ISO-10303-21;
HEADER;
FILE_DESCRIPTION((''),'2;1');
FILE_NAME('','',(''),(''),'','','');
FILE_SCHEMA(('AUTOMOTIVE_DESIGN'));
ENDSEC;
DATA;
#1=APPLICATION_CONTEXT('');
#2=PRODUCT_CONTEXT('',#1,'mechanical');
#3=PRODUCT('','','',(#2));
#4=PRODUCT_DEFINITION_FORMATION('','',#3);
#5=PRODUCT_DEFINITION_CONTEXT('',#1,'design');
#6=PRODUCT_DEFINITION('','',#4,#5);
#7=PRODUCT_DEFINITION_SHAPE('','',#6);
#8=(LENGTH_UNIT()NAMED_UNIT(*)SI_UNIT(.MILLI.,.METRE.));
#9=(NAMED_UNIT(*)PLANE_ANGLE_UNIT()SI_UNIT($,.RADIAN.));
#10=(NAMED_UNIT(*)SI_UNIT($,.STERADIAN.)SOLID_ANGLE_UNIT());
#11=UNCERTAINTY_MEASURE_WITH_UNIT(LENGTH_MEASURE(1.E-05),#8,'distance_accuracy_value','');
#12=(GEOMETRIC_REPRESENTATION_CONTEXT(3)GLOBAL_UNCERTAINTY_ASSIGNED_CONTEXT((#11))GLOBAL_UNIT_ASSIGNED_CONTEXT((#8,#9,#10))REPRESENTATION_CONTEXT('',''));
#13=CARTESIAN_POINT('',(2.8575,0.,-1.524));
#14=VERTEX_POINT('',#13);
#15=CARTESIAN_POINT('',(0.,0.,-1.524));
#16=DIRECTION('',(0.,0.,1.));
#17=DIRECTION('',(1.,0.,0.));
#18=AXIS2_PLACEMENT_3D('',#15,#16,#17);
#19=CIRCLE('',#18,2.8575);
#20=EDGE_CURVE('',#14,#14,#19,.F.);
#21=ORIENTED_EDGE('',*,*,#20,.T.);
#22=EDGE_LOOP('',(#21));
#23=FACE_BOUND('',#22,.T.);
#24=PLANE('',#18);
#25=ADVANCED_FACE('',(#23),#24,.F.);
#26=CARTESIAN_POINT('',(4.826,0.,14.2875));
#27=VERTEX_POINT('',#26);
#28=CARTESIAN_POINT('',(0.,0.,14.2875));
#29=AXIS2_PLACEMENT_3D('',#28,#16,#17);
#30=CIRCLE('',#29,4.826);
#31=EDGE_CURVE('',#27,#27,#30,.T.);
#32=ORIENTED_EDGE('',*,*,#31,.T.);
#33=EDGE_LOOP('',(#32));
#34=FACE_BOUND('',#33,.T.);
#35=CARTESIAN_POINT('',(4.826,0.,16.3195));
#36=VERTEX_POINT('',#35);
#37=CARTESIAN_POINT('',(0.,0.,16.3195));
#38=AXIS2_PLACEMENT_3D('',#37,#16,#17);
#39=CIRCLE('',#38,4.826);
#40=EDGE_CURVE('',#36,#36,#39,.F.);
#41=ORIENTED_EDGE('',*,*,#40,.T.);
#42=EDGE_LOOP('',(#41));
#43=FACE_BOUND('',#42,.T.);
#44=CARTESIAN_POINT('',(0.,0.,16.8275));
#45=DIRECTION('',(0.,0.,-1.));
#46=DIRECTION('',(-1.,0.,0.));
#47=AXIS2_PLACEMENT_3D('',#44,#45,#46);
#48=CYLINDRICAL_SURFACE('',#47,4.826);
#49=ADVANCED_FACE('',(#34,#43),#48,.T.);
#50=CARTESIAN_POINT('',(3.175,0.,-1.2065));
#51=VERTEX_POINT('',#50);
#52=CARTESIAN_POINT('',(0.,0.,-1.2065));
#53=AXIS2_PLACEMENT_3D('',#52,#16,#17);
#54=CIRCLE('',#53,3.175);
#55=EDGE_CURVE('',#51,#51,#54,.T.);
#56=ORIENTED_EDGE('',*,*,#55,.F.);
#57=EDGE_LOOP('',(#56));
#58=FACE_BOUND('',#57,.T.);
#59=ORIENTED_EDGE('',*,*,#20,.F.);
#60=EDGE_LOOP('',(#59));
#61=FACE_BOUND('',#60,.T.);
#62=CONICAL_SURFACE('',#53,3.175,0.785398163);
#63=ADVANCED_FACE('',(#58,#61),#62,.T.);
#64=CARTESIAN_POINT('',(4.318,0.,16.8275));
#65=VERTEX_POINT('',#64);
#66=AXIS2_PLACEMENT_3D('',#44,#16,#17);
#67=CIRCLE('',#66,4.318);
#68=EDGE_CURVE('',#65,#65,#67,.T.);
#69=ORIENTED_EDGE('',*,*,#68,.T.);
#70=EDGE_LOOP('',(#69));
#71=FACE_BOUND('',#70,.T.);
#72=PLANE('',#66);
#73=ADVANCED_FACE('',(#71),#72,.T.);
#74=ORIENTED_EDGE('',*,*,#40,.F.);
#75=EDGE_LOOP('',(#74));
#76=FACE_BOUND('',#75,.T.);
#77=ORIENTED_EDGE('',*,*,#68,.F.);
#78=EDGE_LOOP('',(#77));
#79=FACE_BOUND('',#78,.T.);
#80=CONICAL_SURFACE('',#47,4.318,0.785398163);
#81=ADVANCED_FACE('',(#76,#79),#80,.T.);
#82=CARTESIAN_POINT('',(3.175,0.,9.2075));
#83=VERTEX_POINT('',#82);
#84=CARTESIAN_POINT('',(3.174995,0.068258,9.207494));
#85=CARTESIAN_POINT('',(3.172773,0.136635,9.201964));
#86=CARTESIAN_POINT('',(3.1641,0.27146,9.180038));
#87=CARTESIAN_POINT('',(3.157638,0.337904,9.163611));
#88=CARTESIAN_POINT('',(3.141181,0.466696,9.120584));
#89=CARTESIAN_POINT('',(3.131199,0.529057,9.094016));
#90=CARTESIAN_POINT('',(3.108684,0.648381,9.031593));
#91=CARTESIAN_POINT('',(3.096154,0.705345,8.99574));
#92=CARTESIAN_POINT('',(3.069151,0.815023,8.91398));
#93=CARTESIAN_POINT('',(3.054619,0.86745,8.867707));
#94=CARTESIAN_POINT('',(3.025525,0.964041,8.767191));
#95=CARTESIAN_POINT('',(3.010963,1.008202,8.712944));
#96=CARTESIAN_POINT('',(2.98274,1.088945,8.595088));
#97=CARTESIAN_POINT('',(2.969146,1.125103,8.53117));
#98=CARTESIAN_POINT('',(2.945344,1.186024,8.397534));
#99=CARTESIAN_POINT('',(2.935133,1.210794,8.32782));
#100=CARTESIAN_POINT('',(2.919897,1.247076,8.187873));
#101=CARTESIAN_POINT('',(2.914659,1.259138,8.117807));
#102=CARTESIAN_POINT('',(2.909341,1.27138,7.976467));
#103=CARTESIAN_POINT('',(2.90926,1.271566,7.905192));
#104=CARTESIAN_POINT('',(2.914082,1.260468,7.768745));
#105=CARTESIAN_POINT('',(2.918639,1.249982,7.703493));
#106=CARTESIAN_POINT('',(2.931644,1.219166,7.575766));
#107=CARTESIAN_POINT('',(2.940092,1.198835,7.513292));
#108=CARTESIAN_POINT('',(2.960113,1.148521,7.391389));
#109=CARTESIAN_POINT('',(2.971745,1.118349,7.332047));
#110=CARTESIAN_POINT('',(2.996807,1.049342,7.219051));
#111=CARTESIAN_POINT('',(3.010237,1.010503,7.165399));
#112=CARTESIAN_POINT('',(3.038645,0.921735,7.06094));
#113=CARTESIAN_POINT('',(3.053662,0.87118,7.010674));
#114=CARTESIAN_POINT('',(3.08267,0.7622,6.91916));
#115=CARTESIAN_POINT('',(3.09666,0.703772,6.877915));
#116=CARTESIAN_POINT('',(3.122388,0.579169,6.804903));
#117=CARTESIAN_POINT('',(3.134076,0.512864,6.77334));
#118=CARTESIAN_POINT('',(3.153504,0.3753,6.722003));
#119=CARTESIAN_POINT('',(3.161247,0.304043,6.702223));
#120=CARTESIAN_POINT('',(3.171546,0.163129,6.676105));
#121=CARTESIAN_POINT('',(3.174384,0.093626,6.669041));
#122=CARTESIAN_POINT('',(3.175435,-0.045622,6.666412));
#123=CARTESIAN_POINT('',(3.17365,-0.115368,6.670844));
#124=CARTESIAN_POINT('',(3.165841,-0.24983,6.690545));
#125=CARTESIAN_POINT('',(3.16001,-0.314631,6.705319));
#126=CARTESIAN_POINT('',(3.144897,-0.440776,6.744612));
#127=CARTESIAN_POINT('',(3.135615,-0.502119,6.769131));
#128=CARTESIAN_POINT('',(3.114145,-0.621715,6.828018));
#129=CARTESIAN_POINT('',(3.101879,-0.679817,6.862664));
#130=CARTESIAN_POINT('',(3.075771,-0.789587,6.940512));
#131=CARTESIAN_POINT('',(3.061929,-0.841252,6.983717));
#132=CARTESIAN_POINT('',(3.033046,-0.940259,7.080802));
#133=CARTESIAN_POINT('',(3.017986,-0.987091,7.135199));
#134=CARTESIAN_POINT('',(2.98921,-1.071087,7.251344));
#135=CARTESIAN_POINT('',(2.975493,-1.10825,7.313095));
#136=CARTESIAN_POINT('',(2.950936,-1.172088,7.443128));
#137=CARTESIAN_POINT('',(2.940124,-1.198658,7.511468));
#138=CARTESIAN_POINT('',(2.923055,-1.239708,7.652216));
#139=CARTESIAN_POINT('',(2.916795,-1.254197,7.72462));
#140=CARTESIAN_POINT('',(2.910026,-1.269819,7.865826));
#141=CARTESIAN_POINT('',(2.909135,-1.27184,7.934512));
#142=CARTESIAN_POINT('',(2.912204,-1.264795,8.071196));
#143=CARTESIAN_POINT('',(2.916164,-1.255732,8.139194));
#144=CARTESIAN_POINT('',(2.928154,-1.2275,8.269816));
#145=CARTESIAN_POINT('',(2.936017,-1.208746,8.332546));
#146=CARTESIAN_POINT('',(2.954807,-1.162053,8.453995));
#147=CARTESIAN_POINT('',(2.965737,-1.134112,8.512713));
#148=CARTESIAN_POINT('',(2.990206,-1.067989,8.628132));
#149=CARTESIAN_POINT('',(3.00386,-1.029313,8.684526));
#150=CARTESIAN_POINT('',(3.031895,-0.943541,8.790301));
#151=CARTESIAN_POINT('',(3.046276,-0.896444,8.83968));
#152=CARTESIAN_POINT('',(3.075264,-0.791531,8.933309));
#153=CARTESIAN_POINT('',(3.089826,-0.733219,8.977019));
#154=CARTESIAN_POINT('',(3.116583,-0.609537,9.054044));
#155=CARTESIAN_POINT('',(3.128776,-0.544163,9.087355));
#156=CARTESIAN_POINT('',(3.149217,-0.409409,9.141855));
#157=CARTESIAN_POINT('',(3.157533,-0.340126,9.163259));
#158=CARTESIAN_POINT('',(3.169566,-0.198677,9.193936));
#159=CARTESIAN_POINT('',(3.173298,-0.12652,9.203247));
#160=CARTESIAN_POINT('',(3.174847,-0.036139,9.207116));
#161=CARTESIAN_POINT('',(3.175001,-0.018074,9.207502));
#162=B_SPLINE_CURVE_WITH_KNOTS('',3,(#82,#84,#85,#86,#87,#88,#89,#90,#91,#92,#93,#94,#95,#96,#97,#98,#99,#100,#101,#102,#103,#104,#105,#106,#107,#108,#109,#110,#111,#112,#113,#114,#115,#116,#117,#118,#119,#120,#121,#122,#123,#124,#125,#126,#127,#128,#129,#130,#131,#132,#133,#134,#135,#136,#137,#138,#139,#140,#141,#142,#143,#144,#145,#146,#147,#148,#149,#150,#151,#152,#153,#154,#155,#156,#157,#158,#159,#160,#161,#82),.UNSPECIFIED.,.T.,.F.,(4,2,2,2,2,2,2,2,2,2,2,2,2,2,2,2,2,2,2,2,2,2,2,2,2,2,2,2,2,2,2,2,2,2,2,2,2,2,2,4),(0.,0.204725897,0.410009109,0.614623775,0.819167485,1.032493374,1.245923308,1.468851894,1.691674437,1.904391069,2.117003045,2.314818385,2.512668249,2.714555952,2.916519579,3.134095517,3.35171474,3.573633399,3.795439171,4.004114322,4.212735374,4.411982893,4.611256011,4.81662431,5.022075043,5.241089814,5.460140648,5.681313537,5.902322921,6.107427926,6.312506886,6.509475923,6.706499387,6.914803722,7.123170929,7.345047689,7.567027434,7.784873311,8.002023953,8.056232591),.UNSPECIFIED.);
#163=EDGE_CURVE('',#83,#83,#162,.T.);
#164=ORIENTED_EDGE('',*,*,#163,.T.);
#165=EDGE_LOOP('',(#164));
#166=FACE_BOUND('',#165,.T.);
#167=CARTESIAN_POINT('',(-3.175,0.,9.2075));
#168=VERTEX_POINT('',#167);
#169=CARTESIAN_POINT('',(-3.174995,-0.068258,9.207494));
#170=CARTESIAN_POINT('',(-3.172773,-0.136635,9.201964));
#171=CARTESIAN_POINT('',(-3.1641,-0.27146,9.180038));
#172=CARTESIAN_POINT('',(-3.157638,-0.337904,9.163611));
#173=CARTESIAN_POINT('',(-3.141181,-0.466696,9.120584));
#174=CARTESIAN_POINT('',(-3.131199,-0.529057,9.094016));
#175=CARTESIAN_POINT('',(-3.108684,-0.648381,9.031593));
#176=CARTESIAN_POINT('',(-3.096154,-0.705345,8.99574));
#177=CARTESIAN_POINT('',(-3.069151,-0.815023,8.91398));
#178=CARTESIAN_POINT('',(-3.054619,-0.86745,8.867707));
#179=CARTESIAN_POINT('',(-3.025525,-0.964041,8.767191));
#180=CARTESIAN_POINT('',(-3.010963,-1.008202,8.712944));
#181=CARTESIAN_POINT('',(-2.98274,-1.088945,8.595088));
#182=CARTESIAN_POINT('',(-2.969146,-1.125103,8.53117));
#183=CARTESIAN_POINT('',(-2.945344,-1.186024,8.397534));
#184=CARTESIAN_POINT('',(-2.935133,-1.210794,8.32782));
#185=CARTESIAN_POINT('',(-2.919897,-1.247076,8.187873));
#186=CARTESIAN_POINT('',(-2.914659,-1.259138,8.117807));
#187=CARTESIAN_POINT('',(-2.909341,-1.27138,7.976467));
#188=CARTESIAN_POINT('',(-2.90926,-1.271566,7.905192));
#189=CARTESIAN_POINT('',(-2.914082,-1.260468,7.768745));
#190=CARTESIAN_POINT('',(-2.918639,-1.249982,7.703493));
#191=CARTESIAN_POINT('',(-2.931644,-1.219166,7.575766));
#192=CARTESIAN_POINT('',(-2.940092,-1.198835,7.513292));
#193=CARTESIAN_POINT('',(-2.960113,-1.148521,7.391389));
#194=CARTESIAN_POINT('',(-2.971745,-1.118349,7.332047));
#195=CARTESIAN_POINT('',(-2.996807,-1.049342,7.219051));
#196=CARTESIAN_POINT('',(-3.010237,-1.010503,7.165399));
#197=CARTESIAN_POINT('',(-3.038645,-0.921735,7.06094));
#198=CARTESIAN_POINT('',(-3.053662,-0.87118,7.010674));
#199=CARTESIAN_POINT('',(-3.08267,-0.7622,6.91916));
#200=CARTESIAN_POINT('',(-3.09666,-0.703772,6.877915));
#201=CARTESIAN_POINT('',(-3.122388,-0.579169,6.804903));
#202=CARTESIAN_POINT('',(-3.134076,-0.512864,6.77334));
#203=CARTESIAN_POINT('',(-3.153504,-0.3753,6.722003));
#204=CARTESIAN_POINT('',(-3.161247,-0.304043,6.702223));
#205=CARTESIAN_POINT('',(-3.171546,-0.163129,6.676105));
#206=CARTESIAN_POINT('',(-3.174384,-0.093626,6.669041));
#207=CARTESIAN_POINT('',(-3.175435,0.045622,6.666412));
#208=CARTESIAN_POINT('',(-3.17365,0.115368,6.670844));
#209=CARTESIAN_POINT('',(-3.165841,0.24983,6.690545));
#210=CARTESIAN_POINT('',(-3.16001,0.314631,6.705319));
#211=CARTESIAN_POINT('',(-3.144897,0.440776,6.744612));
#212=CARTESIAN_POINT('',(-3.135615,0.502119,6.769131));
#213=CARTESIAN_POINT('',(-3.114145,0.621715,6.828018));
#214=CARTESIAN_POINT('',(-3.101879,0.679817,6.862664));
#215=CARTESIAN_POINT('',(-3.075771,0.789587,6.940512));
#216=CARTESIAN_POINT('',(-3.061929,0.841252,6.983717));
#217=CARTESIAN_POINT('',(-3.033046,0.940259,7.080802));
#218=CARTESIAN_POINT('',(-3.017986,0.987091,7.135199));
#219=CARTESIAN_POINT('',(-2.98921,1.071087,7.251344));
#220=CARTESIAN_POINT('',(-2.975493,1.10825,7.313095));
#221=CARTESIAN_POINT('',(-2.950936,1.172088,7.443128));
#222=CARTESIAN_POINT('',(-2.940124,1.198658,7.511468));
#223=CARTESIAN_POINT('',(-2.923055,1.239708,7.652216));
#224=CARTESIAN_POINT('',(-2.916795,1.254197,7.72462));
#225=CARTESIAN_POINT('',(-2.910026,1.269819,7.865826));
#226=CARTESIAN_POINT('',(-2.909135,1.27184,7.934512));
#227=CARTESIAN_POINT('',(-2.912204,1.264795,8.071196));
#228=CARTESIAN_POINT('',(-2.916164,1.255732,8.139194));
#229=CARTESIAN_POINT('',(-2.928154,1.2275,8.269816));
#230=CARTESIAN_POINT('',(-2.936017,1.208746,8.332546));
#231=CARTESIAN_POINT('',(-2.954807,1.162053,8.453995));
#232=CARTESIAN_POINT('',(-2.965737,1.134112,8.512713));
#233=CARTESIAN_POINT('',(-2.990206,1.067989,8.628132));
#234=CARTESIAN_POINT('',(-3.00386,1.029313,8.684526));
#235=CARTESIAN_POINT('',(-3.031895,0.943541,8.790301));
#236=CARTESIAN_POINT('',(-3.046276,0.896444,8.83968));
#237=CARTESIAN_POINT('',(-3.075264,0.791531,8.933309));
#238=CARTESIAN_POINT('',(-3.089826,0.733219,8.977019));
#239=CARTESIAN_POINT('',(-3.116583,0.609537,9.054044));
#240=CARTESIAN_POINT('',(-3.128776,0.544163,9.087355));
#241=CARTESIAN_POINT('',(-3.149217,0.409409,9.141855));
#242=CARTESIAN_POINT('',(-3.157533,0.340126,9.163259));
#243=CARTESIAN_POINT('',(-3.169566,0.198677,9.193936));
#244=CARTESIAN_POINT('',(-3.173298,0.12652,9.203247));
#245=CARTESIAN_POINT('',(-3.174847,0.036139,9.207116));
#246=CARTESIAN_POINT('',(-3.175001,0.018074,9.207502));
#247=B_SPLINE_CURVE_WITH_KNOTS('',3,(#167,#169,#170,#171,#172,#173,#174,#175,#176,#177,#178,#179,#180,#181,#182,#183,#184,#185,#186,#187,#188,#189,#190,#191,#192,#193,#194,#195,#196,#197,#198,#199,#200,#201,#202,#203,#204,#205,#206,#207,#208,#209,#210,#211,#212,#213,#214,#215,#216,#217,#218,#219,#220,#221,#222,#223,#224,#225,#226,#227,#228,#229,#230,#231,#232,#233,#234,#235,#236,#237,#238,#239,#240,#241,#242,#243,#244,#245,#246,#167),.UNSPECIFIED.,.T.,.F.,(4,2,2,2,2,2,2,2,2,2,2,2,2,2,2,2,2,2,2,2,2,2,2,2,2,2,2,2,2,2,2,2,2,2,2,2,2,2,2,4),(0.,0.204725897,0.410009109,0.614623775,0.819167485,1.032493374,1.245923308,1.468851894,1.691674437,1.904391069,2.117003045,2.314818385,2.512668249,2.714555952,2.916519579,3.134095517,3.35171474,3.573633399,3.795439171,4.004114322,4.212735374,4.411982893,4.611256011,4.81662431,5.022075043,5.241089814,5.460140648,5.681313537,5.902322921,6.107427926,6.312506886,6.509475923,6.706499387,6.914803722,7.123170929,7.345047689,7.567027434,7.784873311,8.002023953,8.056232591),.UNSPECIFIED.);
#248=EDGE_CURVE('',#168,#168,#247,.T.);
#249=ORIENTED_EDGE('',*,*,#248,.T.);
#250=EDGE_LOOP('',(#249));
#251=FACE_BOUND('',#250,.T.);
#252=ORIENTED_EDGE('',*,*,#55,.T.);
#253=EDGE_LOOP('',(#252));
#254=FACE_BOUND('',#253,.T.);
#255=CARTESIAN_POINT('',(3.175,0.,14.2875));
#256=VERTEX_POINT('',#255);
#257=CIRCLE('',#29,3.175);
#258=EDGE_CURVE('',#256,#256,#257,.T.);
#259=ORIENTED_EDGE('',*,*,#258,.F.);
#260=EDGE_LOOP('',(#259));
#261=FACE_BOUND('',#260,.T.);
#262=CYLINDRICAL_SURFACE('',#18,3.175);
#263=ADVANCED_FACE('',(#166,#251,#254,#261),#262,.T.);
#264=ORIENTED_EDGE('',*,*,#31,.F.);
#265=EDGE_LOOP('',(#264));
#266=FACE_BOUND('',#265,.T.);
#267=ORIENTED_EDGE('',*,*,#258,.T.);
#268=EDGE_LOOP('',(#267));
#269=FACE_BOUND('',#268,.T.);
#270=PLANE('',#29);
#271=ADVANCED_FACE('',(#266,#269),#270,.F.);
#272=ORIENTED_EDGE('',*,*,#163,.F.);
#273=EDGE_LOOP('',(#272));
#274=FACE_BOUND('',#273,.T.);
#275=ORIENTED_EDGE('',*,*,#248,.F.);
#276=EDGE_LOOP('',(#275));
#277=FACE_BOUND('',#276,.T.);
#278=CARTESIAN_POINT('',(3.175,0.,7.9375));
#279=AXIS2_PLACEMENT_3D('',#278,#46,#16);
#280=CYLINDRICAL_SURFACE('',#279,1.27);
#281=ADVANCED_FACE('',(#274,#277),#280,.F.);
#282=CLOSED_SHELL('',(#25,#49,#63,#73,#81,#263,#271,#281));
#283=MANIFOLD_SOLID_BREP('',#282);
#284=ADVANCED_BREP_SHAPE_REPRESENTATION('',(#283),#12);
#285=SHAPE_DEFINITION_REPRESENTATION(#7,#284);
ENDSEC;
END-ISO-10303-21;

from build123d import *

# Parameters (mm, degrees)
EXTRUDE1_DEPTH          = 14.2875
EXTRUDE1_DEPTH_BACK     = 1.524
SKETCH1_R               = 3.175
SKETCH2_R               = 4.826
EXTRUDE2_DEPTH          = 2.54
CHAMFER1_SIZE           = 0.508
CHAMFER2_SIZE           = 0.3175
CUT_EXTRUDE1_DEPTH      = 3.175
CUT_EXTRUDE1_DEPTH_BACK = 3.175
SKETCH9_R               = 1.27


with BuildPart() as part:
    # Sketch1 → Extrude1 (new, two sides: drawn at the far end of the back side and taken through both)
    with BuildSketch(Plane.XY.offset(-EXTRUDE1_DEPTH_BACK)):
        Circle(SKETCH1_R)
    extrude(amount=EXTRUDE1_DEPTH + EXTRUDE1_DEPTH_BACK)

    # Sketch2 → Extrude2 (add)
    with BuildSketch(Plane.XY.offset(14.2875)):
        Circle(SKETCH2_R)
    extrude(amount=EXTRUDE2_DEPTH)

    # Chamfer1
    chamfer1_edges = [part.edges().sort_by_distance(p)[0] for p in [
        (-4.826, 0, 16.8275),
    ]]
    chamfer(chamfer1_edges, length=CHAMFER1_SIZE)

    # Chamfer2
    chamfer2_edges = [part.edges().sort_by_distance(p)[0] for p in [
        (-3.175, 0, -1.524),
    ]]
    chamfer(chamfer2_edges, length=CHAMFER2_SIZE)

    # Sketch9 → Cut-Extrude1 (cut, two sides: drawn at the far end of the back side and taken through both)
    with BuildSketch(Plane(origin=(0, 0, 0), x_dir=(0, 0, -1), z_dir=(1, 0, 0)).offset(-CUT_EXTRUDE1_DEPTH_BACK)):
        with Locations((-7.9375, 0)):
            Circle(SKETCH9_R)
    extrude(amount=CUT_EXTRUDE1_DEPTH + CUT_EXTRUDE1_DEPTH_BACK, mode=Mode.SUBTRACT)


solid = part.part
